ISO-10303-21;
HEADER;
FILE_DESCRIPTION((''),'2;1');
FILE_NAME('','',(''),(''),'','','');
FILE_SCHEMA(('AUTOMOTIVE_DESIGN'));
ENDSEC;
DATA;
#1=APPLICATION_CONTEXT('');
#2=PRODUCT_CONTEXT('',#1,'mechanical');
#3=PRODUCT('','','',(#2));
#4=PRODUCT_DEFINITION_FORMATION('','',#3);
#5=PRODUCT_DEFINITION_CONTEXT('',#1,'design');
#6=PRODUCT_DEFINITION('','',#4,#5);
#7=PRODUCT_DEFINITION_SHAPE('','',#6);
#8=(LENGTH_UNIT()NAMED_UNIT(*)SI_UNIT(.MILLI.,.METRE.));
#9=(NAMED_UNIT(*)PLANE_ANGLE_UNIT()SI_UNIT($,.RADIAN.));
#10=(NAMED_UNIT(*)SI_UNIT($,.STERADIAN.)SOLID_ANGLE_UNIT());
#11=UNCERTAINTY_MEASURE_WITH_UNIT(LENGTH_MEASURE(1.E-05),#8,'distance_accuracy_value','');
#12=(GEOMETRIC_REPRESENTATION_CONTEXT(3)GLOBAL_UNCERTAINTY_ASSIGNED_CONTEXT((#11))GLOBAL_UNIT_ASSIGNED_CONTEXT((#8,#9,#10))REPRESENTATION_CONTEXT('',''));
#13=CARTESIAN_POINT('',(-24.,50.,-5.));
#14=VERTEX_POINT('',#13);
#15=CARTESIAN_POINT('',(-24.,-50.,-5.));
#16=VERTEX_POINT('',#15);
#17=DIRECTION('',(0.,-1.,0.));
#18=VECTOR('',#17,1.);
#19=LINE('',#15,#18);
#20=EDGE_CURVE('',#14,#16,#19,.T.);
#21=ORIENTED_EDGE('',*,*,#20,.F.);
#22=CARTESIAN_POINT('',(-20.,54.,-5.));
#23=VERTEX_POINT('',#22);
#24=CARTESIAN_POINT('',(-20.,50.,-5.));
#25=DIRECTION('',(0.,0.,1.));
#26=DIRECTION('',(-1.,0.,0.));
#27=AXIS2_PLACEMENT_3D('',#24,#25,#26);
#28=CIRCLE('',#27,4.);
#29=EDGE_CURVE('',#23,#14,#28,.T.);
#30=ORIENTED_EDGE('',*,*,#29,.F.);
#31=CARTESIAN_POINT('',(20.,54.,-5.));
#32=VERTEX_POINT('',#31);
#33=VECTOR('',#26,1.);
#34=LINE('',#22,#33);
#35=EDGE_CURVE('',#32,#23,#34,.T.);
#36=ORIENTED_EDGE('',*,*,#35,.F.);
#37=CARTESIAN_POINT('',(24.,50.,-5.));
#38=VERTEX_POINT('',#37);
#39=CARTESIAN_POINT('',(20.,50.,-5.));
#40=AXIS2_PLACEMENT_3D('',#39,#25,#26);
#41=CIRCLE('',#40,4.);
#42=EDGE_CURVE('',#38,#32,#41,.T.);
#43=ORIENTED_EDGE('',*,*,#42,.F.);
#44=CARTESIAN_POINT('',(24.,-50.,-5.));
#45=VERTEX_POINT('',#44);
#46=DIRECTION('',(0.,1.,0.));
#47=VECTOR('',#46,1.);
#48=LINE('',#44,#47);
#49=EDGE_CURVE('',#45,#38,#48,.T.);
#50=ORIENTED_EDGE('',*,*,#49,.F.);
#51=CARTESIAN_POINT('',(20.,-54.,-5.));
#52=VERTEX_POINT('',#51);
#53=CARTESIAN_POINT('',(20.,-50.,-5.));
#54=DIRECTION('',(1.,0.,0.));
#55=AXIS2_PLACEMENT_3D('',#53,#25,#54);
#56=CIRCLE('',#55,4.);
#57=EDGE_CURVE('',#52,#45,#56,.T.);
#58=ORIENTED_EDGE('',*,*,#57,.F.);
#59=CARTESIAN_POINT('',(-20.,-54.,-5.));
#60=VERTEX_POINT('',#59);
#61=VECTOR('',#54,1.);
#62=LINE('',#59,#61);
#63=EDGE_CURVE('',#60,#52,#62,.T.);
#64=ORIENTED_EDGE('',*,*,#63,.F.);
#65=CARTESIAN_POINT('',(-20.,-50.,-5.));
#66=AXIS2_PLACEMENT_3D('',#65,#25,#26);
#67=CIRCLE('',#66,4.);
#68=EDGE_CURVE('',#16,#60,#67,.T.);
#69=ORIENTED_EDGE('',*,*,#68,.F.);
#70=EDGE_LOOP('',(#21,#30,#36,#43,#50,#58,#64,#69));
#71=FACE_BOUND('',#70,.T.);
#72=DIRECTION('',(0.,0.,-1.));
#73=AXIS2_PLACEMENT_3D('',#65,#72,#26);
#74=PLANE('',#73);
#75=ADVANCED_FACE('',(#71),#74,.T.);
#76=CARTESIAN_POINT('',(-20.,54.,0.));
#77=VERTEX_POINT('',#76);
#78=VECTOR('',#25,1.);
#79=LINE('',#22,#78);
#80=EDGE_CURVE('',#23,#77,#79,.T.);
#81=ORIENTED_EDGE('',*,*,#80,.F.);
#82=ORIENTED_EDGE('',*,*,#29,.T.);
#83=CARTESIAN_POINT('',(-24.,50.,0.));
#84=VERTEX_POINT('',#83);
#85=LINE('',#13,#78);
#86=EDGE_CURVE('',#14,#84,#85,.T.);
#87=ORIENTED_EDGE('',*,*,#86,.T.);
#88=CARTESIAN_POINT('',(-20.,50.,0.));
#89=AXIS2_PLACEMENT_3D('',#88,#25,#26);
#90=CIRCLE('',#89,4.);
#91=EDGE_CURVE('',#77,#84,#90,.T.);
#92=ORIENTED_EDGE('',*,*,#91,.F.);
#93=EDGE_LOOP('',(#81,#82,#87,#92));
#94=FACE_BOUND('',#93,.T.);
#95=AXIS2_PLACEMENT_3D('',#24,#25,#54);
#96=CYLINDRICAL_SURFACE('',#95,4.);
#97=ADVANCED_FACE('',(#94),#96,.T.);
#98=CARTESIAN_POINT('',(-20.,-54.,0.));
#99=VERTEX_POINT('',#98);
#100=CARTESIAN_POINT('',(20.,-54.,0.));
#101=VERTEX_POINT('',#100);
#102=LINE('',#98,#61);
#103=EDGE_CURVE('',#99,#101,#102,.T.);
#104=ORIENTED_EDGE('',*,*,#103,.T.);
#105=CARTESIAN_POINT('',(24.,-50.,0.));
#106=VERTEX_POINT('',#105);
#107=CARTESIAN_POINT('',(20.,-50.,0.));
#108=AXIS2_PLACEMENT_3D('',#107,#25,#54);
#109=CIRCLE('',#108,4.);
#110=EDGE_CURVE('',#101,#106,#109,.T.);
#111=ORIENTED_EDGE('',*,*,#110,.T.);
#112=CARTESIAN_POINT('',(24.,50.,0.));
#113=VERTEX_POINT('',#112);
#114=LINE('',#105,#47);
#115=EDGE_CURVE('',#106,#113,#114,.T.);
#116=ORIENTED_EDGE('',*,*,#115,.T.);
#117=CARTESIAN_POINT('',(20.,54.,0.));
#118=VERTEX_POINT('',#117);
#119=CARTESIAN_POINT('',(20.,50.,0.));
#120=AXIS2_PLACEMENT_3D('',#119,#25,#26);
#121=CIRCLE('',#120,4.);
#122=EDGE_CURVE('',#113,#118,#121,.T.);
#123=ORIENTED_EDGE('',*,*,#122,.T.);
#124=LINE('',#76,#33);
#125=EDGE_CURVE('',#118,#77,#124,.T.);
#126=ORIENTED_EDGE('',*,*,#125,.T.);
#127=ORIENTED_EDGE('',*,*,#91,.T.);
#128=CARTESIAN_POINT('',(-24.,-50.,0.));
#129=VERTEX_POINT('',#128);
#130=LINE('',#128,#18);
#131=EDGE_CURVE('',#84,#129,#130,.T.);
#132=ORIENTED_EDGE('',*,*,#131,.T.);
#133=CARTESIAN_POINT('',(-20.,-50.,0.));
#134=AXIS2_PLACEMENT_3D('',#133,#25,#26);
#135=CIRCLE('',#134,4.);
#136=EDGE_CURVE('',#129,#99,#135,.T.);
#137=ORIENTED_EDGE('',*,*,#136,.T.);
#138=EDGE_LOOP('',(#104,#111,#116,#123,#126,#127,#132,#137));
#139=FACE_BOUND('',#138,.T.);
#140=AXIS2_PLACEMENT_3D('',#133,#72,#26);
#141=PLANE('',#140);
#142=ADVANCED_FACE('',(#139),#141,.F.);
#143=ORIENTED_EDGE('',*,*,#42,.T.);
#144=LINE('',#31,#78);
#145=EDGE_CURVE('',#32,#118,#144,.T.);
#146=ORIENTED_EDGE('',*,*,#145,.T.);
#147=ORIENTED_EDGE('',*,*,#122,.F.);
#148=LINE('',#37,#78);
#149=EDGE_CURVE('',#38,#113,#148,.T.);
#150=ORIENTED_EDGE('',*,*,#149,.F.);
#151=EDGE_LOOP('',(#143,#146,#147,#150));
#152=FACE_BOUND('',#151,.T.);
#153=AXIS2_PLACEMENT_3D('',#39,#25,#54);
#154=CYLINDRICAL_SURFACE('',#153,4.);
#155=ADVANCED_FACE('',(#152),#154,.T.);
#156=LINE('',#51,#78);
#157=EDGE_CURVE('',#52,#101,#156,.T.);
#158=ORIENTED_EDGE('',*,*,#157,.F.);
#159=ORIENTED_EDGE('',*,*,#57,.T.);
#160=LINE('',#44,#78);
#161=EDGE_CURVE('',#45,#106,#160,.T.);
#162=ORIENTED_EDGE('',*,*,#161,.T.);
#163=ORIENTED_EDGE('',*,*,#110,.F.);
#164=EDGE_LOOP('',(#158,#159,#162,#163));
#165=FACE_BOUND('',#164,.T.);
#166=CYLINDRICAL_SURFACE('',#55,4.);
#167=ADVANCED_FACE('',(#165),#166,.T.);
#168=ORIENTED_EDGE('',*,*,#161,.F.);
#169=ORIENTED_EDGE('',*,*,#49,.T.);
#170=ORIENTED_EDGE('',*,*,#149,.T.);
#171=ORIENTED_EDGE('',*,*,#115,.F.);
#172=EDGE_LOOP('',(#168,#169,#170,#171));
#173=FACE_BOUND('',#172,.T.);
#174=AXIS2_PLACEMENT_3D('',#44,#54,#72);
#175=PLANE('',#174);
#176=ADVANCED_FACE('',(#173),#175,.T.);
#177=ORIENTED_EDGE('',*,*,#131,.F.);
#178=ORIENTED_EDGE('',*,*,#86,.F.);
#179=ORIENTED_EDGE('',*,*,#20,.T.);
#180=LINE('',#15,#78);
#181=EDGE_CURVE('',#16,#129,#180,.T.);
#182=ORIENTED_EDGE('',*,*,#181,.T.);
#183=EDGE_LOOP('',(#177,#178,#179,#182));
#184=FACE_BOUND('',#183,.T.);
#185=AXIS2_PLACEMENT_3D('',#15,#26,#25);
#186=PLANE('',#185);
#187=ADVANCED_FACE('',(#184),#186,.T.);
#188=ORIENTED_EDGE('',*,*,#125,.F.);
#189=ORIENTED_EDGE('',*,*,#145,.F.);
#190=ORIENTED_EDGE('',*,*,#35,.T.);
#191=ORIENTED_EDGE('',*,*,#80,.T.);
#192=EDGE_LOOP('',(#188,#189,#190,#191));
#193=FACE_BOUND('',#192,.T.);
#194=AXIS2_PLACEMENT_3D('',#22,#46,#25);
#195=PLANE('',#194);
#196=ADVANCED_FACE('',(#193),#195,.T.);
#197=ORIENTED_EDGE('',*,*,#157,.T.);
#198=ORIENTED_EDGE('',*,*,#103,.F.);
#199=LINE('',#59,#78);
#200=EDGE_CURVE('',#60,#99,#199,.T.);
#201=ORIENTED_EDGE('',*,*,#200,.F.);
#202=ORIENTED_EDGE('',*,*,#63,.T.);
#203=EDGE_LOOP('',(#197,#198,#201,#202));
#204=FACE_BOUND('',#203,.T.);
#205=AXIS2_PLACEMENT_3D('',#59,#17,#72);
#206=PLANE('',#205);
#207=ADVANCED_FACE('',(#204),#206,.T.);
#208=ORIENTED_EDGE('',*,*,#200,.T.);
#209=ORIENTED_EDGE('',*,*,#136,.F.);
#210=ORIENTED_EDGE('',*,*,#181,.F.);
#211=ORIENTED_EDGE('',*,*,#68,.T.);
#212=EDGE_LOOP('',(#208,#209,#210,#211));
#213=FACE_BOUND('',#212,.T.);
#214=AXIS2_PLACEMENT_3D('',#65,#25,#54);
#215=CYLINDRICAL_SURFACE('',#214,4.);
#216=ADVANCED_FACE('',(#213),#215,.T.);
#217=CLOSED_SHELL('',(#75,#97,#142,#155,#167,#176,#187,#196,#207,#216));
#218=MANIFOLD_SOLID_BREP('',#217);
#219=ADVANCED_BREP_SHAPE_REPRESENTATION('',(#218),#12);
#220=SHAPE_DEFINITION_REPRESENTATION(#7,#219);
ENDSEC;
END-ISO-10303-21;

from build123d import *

# Parameters (mm, degrees)
BOSS_EXTRUDE1_DEPTH = 5


with BuildPart() as part:
    # Sketch1 → Boss-Extrude1 (new body)
    with BuildSketch(Plane.XY):
        with BuildLine():
            Line((-20, -54), (20, -54))
            ThreePointArc((20, -54), (22.828427125, -52.828427125), (24, -50))
            Line((24, -50), (24, 50))
            ThreePointArc((24, 50), (22.828427125, 52.828427125), (20, 54))
            Line((20, 54), (-20, 54))
            ThreePointArc((-20, 54), (-22.828427125, 52.828427125), (-24, 50))
            Line((-24, 50), (-24, -50))
            ThreePointArc((-24, -50), (-22.828427125, -52.828427125), (-20, -54))
        make_face()
    extrude(amount=-BOSS_EXTRUDE1_DEPTH)


solid = part.part
